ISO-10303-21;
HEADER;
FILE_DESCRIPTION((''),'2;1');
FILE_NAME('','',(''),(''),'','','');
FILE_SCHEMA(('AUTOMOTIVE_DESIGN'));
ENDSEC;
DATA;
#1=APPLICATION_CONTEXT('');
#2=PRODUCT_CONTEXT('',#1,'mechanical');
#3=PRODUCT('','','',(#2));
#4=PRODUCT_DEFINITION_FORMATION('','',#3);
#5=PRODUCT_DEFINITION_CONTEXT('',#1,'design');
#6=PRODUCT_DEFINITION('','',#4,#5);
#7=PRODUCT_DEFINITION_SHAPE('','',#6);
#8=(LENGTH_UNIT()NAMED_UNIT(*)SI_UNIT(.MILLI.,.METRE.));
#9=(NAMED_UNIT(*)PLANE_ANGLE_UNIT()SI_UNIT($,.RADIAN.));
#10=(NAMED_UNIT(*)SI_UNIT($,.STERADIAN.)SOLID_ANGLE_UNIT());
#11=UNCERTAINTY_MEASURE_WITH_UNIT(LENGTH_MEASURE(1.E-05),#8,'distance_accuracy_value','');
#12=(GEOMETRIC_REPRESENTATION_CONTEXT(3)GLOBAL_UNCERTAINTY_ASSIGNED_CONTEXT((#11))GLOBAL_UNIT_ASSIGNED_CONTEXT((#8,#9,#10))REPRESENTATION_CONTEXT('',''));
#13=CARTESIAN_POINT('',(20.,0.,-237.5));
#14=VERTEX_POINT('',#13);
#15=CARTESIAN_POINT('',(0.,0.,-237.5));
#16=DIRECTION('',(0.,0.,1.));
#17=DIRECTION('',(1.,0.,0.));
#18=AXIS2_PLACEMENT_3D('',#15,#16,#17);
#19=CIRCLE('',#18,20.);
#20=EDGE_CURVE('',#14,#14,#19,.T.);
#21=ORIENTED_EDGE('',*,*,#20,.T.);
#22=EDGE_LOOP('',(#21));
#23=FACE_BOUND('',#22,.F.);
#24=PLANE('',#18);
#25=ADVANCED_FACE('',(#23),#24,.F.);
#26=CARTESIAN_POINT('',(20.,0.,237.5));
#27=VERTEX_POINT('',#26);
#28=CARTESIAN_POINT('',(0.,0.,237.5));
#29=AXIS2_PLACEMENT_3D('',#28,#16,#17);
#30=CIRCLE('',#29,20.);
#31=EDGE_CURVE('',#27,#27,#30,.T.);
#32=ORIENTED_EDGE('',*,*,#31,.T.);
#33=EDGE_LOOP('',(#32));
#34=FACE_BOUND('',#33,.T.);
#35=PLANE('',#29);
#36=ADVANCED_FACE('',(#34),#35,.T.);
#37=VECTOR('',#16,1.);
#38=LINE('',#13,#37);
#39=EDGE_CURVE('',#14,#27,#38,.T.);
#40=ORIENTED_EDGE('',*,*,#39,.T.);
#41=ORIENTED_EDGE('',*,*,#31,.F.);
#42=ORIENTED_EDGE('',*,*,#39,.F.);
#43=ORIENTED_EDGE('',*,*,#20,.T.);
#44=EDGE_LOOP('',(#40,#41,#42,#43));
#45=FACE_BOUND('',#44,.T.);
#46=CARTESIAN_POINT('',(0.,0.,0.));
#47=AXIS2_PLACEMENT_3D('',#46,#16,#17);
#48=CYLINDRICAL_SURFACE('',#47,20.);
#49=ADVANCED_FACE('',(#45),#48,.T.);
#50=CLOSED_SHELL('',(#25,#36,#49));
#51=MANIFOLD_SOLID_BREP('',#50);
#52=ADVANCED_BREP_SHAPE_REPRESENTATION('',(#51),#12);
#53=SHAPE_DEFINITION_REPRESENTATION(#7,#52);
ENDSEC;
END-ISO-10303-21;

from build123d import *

# Parameters (mm, degrees)
SKETCH_R  = 20
PAD_DEPTH = 237.5


with BuildPart() as part:
    # Sketch → Pad (new body, symmetric)
    with BuildSketch(Plane.XY):
        Circle(SKETCH_R)
    extrude(amount=PAD_DEPTH, both=True)


solid = part.part
